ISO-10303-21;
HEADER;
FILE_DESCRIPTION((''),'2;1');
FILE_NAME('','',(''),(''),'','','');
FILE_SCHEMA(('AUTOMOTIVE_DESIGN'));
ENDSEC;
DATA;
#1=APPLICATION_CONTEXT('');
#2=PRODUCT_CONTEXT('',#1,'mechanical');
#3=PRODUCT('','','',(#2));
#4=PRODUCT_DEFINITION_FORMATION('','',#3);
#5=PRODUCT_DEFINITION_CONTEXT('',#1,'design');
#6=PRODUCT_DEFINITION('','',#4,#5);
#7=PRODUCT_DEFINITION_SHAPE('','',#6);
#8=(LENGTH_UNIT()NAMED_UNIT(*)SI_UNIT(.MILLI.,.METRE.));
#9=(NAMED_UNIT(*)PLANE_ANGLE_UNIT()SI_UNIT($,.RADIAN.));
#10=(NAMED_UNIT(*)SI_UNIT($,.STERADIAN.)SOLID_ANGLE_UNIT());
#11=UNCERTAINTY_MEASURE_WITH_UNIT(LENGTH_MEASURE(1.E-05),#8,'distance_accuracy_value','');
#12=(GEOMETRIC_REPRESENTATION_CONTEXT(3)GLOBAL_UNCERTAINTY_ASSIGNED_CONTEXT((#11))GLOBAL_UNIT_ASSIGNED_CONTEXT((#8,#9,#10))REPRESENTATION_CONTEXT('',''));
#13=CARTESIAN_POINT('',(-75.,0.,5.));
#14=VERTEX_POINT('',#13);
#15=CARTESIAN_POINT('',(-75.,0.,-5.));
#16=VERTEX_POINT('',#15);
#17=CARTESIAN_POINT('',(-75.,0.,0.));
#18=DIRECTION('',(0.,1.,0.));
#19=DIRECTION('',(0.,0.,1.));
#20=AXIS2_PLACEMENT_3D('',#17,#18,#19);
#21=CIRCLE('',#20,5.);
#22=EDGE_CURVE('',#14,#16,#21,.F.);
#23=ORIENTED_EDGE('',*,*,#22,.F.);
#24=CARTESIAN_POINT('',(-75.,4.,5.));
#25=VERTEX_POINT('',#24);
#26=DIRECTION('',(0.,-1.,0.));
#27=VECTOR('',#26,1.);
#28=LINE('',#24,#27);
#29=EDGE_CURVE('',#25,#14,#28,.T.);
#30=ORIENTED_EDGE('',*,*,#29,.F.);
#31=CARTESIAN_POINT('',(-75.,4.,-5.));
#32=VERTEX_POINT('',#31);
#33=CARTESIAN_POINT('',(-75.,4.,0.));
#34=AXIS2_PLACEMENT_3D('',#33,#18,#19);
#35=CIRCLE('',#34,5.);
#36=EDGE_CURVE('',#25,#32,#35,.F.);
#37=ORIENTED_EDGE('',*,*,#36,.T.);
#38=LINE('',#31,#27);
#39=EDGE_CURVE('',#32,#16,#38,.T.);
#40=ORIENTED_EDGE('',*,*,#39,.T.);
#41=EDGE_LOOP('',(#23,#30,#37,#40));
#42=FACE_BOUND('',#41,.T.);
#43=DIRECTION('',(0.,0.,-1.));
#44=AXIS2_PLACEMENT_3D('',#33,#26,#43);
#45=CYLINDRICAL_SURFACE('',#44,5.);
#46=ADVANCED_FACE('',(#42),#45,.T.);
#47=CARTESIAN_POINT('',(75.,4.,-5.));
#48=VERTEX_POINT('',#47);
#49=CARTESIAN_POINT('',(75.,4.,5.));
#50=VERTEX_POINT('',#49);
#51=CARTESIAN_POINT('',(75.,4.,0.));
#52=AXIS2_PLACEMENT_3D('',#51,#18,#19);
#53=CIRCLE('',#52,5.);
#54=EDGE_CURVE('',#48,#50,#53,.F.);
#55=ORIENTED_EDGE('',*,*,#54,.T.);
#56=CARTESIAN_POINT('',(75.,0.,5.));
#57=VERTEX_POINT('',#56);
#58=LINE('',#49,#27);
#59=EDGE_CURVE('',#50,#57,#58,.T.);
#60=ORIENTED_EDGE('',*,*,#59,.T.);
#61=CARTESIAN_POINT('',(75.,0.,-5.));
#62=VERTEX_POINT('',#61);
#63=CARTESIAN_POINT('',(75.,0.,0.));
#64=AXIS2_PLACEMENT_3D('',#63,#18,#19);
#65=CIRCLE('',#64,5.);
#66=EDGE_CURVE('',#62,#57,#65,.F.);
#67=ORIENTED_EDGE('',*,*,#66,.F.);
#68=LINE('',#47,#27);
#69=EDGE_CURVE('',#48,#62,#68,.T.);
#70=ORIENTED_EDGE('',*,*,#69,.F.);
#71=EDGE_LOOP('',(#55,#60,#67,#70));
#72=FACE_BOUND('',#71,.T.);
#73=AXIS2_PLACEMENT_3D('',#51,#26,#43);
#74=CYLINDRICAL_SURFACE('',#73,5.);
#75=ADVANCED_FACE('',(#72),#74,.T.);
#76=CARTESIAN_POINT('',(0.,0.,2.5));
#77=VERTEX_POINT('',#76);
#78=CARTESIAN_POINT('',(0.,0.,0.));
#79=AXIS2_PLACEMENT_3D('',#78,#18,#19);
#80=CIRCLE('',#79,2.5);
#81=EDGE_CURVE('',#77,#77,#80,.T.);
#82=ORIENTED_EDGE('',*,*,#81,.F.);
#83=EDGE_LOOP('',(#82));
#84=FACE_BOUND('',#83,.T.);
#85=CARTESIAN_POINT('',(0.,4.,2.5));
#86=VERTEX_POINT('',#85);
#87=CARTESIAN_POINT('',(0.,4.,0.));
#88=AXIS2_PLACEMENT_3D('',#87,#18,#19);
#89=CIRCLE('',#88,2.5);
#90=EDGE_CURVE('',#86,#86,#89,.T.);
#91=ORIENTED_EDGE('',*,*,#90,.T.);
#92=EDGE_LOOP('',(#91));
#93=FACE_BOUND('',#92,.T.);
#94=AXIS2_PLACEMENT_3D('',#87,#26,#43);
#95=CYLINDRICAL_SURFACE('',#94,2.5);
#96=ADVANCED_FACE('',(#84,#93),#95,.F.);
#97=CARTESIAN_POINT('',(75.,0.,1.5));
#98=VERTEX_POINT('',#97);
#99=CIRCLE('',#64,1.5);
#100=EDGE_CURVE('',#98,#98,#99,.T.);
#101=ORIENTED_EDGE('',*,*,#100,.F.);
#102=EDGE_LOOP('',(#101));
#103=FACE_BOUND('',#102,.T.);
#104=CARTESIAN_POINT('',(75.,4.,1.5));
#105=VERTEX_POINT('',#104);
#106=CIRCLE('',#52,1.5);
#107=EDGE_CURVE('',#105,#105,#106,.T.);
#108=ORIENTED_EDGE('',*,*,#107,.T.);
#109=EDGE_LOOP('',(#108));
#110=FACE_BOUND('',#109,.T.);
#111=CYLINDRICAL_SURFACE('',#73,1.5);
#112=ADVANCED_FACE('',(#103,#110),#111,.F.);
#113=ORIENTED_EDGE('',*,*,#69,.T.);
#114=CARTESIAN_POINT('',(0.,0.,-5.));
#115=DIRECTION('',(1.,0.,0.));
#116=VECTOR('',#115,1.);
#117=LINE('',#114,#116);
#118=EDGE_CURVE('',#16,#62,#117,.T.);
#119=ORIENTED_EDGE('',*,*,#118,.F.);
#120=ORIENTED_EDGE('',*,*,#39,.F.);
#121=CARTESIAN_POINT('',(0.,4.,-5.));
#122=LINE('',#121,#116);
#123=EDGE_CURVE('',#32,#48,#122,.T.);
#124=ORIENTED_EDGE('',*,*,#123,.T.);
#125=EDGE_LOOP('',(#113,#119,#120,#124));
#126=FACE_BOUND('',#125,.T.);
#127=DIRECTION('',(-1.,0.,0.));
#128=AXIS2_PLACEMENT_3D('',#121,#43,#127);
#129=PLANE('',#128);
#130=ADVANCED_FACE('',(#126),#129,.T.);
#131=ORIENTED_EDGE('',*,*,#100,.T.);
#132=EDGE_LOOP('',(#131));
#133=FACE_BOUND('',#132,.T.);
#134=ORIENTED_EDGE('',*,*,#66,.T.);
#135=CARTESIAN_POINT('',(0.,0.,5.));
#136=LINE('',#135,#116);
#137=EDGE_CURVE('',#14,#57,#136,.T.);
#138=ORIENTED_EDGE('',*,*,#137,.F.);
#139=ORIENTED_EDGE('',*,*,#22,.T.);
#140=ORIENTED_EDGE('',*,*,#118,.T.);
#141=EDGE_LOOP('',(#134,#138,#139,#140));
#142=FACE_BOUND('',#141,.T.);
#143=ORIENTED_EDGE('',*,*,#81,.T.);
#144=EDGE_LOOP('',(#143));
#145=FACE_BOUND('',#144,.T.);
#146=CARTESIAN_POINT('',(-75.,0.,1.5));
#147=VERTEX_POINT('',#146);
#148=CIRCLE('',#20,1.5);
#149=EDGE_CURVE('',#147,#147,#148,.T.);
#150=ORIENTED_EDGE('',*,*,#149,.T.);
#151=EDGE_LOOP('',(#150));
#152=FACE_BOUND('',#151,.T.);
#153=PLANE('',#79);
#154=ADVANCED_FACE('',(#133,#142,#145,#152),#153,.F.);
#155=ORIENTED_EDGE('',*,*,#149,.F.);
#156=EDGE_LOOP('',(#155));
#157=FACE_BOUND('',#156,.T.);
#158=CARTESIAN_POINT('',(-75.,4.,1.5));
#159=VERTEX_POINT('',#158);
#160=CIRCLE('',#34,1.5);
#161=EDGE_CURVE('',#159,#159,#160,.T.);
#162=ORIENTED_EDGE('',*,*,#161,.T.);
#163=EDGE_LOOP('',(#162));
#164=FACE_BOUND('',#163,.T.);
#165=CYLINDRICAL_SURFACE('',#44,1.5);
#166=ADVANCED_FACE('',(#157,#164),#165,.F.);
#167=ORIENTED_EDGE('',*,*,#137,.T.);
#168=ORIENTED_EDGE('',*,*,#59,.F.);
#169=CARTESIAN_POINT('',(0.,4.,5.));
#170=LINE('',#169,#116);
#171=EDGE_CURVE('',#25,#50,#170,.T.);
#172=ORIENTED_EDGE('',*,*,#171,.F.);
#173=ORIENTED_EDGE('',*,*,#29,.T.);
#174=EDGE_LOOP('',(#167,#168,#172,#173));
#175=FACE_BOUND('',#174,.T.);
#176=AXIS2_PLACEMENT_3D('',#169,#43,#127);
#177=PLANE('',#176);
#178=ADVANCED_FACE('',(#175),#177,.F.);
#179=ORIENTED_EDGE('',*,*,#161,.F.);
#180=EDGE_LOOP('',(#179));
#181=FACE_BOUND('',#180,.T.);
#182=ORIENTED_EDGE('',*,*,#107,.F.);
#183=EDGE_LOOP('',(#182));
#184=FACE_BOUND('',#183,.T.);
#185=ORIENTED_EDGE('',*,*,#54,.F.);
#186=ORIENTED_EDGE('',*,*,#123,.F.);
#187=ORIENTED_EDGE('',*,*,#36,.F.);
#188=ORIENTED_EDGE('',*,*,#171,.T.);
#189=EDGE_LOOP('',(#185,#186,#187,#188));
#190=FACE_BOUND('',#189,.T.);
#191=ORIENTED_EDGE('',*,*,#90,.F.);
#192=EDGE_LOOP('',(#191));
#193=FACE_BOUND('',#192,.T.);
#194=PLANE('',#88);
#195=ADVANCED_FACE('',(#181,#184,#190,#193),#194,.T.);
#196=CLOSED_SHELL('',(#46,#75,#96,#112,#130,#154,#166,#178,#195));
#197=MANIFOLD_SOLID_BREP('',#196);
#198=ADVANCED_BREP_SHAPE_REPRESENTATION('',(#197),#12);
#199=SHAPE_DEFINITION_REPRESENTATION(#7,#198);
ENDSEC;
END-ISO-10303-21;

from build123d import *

# Parameters (mm, degrees)
SKETCH_1_R      = 1.5
SKETCH_1_R_2    = 2.5
EXTRUDE_1_DEPTH = 4


with BuildPart() as part:
    # Эскиз1 → Бобышка-Вытянуть1 (new body)
    with BuildSketch(Plane(origin=(0, 0, 0), x_dir=(1, 0, 0), z_dir=(0, 1, 0))):
        with BuildLine():
            Line((75, 5), (-75, 5))
            ThreePointArc((-75, 5), (-80, 0), (-75, -5))
            Line((-75, -5), (75, -5))
            ThreePointArc((75, -5), (80, 0), (75, 5))
        make_face()
        with Locations(Location((-75, 0, 0), (0, 0, 270))):
            Circle(SKETCH_1_R, mode=Mode.SUBTRACT)
        with Locations(Location((0, 0, 0), (0, 0, 270))):
            Circle(SKETCH_1_R_2, mode=Mode.SUBTRACT)
        with Locations(Location((75, 0, 0), (0, 0, 270))):
            Circle(SKETCH_1_R, mode=Mode.SUBTRACT)
    extrude(amount=EXTRUDE_1_DEPTH)


solid = part.part
